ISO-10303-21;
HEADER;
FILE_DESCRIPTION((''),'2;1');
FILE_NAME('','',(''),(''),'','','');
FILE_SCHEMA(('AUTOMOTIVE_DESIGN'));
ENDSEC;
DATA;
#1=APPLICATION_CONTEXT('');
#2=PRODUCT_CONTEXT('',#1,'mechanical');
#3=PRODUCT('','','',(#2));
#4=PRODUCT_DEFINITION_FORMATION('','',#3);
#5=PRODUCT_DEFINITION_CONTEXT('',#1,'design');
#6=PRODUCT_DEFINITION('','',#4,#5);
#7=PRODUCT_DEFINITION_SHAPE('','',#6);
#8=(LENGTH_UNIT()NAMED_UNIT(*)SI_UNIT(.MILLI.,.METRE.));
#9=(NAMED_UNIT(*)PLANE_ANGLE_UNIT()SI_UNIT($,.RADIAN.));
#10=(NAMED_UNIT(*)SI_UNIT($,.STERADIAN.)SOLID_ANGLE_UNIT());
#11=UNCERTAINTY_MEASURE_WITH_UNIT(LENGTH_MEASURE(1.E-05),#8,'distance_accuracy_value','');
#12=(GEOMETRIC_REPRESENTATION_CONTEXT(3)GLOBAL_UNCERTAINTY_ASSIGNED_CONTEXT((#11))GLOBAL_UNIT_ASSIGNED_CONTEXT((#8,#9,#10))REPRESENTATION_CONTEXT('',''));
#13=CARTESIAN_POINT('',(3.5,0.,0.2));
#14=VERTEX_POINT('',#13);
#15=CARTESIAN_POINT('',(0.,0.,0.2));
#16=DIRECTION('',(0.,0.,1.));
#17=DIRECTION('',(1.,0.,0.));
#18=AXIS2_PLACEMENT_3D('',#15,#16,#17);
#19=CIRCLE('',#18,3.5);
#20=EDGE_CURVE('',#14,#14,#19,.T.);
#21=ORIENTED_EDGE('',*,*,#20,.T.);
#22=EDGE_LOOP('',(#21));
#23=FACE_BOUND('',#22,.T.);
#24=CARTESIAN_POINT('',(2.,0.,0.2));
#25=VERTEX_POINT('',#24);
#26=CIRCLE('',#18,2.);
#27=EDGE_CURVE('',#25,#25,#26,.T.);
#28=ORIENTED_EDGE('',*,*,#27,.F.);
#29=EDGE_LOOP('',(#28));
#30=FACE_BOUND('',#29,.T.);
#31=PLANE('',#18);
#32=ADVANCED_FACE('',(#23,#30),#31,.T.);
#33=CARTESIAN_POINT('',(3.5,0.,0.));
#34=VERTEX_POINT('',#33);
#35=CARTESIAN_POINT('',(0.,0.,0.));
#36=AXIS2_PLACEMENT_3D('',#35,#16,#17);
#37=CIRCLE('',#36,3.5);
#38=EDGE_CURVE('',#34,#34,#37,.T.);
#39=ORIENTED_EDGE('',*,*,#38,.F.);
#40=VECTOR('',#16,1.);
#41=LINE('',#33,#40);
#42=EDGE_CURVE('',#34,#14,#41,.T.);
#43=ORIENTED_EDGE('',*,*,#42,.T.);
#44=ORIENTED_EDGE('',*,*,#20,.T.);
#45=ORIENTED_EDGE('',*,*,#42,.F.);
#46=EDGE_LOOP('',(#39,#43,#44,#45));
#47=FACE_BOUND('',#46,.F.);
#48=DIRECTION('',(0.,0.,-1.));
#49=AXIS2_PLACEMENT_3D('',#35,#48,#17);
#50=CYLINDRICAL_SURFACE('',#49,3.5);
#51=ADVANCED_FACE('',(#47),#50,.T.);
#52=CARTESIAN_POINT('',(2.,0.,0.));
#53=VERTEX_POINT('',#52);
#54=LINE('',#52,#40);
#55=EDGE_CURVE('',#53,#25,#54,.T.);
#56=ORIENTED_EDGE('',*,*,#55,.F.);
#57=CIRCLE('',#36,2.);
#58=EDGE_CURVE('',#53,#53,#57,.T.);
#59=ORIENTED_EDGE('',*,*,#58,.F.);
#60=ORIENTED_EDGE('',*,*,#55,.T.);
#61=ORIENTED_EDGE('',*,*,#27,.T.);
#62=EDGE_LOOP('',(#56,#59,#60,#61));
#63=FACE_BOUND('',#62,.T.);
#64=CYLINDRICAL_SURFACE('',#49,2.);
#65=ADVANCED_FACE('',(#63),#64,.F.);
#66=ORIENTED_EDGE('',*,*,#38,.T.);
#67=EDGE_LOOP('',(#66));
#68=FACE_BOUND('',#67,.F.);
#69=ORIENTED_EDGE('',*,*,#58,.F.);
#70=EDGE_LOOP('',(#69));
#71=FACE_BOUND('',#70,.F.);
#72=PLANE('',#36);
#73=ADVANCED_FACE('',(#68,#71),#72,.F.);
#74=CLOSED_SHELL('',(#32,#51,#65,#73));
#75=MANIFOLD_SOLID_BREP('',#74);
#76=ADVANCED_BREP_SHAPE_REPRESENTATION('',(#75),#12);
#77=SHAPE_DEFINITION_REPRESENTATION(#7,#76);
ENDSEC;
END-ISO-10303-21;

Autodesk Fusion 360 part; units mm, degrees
sketch "Sketch1" plane through (0, 0, 0) normal (0, 0, 1) x (1, 0, 0)
  circle A0 centre (0, 0) radius 2
  circle A1 centre (0, 0) radius 3.5
  dimension "d1" = 4
  dimension "d2" = 7
extrude "Extrude1" add sketch "Sketch1" along normal blind 0.2
